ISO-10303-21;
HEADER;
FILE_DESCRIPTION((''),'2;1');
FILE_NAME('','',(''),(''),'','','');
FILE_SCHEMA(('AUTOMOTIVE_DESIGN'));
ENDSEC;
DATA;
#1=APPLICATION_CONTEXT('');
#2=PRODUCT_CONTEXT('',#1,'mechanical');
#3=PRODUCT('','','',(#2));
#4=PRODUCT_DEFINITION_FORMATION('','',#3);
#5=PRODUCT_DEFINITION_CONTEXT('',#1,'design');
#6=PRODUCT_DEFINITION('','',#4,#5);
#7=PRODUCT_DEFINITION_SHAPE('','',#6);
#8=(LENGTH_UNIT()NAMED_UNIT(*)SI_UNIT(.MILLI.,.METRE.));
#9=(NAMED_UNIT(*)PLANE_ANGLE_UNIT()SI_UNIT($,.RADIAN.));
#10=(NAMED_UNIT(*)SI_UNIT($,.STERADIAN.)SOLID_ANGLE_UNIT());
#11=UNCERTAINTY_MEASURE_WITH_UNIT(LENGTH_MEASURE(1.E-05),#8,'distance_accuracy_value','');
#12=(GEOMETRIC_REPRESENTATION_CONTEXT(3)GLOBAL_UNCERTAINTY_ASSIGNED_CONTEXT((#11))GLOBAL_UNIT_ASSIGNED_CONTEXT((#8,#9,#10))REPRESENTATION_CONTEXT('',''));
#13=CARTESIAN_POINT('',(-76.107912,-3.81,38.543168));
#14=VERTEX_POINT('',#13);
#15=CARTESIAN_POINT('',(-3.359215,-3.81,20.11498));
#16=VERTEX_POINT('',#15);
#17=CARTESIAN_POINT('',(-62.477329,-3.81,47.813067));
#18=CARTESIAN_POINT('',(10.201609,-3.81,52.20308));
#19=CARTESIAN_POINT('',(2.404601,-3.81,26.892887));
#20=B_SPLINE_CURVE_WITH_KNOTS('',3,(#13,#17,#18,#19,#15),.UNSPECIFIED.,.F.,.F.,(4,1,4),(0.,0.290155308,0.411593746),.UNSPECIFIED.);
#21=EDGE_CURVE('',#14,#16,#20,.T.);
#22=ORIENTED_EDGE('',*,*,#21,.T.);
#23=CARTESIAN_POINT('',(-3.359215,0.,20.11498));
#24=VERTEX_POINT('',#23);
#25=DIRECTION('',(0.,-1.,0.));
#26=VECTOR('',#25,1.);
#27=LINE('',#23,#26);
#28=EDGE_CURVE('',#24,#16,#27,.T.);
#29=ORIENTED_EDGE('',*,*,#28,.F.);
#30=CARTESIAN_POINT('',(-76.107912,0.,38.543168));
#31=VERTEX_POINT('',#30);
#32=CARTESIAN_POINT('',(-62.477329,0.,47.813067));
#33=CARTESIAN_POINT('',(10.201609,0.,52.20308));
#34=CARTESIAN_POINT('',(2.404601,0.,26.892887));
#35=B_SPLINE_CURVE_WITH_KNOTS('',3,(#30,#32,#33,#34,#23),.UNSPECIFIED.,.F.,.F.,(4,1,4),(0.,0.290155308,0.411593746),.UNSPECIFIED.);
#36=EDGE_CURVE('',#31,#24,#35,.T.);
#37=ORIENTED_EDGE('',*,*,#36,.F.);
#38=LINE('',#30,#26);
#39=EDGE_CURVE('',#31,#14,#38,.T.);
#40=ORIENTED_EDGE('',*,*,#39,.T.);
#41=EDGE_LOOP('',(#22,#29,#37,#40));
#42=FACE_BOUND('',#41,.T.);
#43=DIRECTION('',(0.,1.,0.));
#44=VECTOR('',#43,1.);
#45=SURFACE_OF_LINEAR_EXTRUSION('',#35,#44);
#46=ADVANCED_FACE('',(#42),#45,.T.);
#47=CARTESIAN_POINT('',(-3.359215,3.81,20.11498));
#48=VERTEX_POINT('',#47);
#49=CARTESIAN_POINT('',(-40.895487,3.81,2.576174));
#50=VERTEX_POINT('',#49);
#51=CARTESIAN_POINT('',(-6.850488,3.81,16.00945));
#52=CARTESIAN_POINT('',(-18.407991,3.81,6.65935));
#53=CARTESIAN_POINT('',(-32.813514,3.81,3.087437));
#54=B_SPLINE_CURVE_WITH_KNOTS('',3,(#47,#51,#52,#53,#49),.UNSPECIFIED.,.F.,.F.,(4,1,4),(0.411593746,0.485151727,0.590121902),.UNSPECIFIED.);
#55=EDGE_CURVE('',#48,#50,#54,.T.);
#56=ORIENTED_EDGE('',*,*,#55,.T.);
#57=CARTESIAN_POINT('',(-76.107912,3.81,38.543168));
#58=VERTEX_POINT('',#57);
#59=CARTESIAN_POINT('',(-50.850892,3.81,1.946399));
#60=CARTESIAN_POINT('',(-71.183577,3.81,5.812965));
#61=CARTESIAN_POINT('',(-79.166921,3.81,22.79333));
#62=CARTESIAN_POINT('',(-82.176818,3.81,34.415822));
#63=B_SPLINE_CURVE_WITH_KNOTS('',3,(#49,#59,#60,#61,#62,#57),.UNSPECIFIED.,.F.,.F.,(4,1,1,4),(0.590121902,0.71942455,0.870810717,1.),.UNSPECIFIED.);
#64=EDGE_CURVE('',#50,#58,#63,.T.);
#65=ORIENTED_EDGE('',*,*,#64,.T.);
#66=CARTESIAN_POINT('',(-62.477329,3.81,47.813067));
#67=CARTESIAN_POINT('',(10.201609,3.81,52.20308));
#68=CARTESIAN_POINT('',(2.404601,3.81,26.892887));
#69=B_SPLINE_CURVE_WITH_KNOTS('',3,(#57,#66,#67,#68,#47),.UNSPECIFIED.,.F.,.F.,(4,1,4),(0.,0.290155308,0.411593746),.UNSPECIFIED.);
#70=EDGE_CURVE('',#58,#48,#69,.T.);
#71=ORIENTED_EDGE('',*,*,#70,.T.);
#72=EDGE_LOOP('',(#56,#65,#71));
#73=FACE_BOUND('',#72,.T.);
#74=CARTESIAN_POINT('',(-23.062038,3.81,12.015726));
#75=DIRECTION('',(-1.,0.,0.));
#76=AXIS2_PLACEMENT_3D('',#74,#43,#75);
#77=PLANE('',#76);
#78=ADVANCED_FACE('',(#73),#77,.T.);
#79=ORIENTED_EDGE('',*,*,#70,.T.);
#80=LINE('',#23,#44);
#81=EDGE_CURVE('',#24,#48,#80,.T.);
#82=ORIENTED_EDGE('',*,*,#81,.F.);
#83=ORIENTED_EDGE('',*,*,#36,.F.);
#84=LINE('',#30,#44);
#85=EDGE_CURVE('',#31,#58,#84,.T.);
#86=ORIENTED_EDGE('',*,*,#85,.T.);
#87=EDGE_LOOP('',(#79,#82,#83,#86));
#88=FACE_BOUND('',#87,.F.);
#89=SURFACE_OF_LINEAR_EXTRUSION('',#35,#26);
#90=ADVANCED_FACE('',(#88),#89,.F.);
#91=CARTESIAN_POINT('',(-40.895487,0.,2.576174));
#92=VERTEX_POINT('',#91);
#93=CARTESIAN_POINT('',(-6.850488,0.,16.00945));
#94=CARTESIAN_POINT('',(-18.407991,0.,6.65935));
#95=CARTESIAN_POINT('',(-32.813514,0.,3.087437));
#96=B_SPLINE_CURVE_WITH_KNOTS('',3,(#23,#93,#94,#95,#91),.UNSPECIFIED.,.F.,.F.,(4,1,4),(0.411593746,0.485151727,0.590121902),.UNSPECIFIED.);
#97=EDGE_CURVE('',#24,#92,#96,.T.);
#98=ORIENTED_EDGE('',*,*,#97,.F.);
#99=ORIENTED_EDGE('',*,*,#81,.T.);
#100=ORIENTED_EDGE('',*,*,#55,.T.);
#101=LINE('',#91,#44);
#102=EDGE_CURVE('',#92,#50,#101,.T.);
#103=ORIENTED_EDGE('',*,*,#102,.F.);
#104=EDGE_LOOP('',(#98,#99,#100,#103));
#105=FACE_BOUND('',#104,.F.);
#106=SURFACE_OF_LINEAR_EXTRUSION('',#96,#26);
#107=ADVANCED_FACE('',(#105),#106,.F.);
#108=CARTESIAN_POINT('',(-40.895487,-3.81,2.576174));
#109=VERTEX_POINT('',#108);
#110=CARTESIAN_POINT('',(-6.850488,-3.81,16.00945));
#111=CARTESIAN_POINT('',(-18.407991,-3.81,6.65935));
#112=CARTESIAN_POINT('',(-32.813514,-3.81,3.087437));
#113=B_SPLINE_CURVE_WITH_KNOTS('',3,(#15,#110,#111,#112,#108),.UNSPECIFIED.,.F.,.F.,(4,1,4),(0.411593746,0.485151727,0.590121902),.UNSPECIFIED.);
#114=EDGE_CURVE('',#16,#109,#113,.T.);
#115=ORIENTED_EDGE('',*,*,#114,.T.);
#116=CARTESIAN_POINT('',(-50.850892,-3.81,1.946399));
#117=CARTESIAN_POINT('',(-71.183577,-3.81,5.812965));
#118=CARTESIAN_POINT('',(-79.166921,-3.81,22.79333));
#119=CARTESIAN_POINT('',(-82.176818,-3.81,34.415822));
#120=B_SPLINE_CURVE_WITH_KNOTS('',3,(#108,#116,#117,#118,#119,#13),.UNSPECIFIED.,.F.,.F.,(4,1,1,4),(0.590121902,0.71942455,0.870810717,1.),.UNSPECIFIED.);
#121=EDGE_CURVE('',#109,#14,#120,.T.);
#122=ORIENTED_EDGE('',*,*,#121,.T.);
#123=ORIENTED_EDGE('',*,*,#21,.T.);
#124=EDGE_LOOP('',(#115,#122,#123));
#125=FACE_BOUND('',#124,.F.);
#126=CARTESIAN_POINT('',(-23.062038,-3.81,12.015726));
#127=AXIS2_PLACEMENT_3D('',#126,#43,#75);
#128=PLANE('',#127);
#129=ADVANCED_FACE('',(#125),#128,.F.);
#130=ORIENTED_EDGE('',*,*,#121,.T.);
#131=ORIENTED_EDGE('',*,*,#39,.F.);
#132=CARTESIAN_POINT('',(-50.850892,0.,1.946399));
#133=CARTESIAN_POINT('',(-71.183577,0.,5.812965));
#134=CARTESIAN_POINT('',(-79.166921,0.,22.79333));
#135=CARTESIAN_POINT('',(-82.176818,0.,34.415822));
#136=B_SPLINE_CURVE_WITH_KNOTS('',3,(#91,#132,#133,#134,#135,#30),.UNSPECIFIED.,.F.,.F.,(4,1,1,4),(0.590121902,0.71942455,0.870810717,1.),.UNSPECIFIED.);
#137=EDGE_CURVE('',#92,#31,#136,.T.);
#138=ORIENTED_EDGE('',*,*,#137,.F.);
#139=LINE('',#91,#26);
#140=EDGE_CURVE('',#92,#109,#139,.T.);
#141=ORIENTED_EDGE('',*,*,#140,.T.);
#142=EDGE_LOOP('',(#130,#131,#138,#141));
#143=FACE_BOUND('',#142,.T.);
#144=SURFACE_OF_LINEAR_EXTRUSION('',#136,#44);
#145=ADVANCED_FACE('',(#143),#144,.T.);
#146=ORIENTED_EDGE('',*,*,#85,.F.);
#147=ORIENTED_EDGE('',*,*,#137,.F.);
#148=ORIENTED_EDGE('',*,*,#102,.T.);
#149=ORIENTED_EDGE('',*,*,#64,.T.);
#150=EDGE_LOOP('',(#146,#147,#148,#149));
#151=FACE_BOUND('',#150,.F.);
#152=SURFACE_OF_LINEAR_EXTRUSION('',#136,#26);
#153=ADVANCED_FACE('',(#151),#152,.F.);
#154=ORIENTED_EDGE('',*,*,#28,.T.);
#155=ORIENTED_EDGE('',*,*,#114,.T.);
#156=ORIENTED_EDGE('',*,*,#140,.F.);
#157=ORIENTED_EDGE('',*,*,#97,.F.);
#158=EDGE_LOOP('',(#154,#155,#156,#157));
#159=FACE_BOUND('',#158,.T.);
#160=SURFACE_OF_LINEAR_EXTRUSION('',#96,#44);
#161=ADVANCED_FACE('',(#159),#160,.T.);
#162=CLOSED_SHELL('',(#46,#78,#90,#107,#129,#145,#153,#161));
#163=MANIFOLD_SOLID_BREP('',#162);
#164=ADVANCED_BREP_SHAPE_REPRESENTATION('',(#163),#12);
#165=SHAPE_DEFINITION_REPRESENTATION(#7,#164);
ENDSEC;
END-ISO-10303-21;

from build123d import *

# Parameters (mm, degrees)
F1_DEPTH = 3.81


with BuildPart() as f1:
    # F0 (on Front) → F1 (new body, symmetric)
    with BuildSketch(Plane.XZ):
        with BuildLine():
            add(Edge.make_bspline(
                [(-3.3592153029, 20.114979987), (-6.8504877453, 16.0094498257), (-18.4079911976, 6.6593496766), (-32.8135138593, 3.0874366389), (-40.8954872018, 2.5761741089)],
                knots=[0.4115937464, 0.4115937464, 0.4115937464, 0.4115937464, 0.4851517271, 0.5901219019, 0.5901219019, 0.5901219019, 0.5901219019], degree=3))
            add(Edge.make_bspline(
                [(-36.6568307247, 12.1914259236), (-30.6486980251, 16.2774417488), (-17.3343255861, 19.1636917052), (-3.3592153048, 20.1149799915)],
                knots=[0, 0, 0, 0, 0.1278956006, 0.1278956006, 0.1278956006, 0.1278956006], degree=3))
            add(Edge.make_bspline(
                [(-40.8954872053, 2.576174108), (-41.4479875436, 6.0867174365), (-40.7380432441, 9.4158715586), (-36.6568307247, 12.1914259236)],
                knots=[0.9131229032, 0.9131229032, 0.9131229032, 0.9131229032, 1, 1, 1, 1], degree=3))
        make_face()
        with BuildLine():
            add(Edge.make_bspline(
                [(-76.1079117656, 38.5431684554), (-62.4773288295, 47.8130665032), (10.2016094215, 52.2030804941), (2.4046008218, 26.8928872785), (-3.3592153029, 20.114979987)],
                knots=[0, 0, 0, 0, 0.2901553076, 0.4115937464, 0.4115937464, 0.4115937464, 0.4115937464], degree=3))
            add(Edge.make_bspline(
                [(-40.8954872018, 2.5761741089), (-50.8508917239, 1.9463990418), (-71.1835766287, 5.8129647851), (-79.1669210684, 22.793330039), (-82.1768176013, 34.4158219858), (-76.1079117656, 38.5431684554)],
                knots=[0.5901219019, 0.5901219019, 0.5901219019, 0.5901219019, 0.7194245497, 0.8708107168, 1, 1, 1, 1], degree=3))
            add(Edge.make_bspline(
                [(-40.8954872053, 2.576174108), (-41.4479875436, 6.0867174365), (-40.7380432441, 9.4158715586), (-36.6568307247, 12.1914259236)],
                knots=[0.9131229032, 0.9131229032, 0.9131229032, 0.9131229032, 1, 1, 1, 1], degree=3))
            add(Edge.make_bspline(
                [(-36.6568307247, 12.1914259236), (-30.6486980251, 16.2774417488), (-17.3343255861, 19.1636917052), (-3.3592153048, 20.1149799915)],
                knots=[0, 0, 0, 0, 0.1278956006, 0.1278956006, 0.1278956006, 0.1278956006], degree=3))
        make_face()
    extrude(amount=F1_DEPTH, both=True)


solid = f1.part
